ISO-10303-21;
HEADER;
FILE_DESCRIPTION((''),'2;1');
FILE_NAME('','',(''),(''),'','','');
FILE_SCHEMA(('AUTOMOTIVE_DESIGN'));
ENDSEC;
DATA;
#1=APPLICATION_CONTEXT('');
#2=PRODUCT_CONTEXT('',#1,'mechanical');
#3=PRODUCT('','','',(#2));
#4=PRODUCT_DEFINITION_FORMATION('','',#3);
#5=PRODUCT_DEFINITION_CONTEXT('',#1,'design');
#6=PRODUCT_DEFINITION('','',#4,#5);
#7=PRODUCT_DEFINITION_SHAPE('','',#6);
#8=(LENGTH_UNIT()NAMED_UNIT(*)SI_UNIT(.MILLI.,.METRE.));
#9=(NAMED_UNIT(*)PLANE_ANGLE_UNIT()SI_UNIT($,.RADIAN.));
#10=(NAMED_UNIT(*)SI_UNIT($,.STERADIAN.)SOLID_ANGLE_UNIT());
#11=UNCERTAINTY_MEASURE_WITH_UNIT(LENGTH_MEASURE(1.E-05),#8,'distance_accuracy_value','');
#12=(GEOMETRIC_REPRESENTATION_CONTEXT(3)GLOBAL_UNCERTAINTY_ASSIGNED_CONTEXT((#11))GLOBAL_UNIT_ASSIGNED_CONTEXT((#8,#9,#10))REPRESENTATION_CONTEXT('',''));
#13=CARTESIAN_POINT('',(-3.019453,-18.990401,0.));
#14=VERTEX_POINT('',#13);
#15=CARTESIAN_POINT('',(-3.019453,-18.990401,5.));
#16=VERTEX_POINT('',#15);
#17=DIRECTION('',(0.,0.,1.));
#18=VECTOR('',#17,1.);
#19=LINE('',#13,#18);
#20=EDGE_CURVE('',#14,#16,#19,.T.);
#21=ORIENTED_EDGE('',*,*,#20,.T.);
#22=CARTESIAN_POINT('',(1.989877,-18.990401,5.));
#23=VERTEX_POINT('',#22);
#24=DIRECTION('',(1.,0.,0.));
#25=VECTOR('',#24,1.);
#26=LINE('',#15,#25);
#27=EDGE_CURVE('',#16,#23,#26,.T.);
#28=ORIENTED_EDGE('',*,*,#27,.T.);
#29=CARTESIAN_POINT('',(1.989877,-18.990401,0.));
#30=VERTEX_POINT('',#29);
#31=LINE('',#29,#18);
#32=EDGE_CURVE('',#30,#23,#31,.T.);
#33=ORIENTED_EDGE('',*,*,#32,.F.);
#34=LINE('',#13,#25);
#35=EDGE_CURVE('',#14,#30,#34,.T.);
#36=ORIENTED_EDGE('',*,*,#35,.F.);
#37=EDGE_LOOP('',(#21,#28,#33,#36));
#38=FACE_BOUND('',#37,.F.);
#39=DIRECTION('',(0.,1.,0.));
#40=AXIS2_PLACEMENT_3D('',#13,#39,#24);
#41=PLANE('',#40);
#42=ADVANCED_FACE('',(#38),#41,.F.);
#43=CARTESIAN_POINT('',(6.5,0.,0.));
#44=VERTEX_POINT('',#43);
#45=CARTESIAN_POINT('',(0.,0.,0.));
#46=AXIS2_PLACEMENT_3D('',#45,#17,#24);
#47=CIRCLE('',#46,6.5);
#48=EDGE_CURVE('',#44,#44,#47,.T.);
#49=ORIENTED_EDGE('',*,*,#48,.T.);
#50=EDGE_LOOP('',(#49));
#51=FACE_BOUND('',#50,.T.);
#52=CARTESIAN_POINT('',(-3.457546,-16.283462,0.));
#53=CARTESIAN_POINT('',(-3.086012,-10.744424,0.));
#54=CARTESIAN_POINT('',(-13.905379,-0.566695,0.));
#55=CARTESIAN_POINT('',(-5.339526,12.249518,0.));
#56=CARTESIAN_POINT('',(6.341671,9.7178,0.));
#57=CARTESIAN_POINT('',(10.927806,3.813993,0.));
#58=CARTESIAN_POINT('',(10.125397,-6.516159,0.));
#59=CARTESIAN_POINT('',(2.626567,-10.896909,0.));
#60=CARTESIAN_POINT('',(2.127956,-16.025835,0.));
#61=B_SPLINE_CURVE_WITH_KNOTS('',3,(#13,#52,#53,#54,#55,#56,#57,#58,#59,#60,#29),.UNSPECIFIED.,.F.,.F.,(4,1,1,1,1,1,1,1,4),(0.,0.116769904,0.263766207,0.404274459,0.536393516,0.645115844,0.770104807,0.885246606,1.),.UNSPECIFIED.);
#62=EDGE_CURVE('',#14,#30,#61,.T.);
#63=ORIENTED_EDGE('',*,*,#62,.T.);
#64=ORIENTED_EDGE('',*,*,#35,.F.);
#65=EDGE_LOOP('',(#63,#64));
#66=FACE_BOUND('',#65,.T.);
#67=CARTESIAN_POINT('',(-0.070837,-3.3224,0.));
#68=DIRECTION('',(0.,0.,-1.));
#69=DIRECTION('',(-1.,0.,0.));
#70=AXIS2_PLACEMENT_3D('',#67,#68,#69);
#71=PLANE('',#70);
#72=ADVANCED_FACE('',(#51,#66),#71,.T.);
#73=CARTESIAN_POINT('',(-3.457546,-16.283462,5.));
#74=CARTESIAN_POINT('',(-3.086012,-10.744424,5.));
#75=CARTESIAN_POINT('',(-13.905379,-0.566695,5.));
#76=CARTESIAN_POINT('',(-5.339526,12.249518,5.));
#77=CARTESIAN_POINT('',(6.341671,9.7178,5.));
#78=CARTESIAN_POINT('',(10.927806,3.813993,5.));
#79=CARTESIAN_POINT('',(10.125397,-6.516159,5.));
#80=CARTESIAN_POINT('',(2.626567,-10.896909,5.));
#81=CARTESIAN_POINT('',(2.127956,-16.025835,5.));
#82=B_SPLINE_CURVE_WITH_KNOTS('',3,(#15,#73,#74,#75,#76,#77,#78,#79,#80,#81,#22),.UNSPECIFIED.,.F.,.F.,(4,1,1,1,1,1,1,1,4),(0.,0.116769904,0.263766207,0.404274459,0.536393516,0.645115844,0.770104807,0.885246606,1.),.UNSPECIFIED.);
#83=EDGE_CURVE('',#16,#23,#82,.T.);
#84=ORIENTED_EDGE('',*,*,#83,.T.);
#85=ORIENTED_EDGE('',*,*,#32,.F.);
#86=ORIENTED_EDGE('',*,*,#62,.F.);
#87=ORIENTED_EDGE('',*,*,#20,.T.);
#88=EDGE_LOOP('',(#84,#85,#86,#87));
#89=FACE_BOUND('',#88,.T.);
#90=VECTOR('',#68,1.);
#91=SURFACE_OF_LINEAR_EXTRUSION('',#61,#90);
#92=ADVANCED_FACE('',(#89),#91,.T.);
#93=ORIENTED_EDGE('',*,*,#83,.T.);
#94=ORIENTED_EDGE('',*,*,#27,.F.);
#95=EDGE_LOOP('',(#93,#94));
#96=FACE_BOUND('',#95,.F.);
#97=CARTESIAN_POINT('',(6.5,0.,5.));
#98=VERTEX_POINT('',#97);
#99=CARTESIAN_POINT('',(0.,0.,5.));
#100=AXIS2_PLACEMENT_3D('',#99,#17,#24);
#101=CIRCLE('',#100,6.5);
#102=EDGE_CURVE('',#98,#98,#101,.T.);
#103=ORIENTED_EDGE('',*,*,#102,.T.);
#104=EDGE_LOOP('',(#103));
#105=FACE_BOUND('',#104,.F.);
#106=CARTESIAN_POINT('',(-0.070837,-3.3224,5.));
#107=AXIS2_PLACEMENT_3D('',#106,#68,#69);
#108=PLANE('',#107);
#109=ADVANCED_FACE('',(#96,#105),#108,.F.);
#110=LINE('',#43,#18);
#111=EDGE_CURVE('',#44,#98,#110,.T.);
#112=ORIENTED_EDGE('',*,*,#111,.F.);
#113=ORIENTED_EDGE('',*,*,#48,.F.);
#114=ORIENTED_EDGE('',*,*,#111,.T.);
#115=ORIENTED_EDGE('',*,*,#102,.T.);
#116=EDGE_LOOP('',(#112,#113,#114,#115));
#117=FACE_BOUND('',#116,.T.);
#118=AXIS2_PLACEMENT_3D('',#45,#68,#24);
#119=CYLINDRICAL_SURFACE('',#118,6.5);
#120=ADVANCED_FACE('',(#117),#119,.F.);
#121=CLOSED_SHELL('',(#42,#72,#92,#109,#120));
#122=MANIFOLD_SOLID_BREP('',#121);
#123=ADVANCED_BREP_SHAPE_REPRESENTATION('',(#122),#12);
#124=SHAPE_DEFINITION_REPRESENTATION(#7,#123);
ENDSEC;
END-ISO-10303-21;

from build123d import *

# Parameters (mm, degrees)
F0_R     = 6.5
F1_DEPTH = 5


with BuildPart() as f1:
    # F0 (on Top) → F1 (new body)
    with BuildSketch(Plane.XY):
        with BuildLine():
            add(Edge.make_bspline(
                [(-3.0194530264, -18.9904011786), (-3.4575457194, -16.283461913), (-3.0860120713, -10.7444241611), (-13.9053787583, -0.5666951508), (-5.3395256772, 12.2495183507), (6.3416707984, 9.7178000188), (10.92780567, 3.8139926341), (10.1253970325, -6.5161588888), (2.6265665276, -10.8969094025), (2.1279557723, -16.0258347249), (1.9898766186, -18.9904011786)],
                knots=[0, 0, 0, 0, 0.1167699044, 0.2637662072, 0.4042744586, 0.5363935158, 0.6451158438, 0.7701048075, 0.885246606, 1, 1, 1, 1], degree=3))
            Line((-3.0194530264, -18.9904011786), (1.9898766186, -18.9904011786))
        make_face()
        Circle(F0_R, mode=Mode.SUBTRACT)
    extrude(amount=F1_DEPTH)


solid = f1.part
